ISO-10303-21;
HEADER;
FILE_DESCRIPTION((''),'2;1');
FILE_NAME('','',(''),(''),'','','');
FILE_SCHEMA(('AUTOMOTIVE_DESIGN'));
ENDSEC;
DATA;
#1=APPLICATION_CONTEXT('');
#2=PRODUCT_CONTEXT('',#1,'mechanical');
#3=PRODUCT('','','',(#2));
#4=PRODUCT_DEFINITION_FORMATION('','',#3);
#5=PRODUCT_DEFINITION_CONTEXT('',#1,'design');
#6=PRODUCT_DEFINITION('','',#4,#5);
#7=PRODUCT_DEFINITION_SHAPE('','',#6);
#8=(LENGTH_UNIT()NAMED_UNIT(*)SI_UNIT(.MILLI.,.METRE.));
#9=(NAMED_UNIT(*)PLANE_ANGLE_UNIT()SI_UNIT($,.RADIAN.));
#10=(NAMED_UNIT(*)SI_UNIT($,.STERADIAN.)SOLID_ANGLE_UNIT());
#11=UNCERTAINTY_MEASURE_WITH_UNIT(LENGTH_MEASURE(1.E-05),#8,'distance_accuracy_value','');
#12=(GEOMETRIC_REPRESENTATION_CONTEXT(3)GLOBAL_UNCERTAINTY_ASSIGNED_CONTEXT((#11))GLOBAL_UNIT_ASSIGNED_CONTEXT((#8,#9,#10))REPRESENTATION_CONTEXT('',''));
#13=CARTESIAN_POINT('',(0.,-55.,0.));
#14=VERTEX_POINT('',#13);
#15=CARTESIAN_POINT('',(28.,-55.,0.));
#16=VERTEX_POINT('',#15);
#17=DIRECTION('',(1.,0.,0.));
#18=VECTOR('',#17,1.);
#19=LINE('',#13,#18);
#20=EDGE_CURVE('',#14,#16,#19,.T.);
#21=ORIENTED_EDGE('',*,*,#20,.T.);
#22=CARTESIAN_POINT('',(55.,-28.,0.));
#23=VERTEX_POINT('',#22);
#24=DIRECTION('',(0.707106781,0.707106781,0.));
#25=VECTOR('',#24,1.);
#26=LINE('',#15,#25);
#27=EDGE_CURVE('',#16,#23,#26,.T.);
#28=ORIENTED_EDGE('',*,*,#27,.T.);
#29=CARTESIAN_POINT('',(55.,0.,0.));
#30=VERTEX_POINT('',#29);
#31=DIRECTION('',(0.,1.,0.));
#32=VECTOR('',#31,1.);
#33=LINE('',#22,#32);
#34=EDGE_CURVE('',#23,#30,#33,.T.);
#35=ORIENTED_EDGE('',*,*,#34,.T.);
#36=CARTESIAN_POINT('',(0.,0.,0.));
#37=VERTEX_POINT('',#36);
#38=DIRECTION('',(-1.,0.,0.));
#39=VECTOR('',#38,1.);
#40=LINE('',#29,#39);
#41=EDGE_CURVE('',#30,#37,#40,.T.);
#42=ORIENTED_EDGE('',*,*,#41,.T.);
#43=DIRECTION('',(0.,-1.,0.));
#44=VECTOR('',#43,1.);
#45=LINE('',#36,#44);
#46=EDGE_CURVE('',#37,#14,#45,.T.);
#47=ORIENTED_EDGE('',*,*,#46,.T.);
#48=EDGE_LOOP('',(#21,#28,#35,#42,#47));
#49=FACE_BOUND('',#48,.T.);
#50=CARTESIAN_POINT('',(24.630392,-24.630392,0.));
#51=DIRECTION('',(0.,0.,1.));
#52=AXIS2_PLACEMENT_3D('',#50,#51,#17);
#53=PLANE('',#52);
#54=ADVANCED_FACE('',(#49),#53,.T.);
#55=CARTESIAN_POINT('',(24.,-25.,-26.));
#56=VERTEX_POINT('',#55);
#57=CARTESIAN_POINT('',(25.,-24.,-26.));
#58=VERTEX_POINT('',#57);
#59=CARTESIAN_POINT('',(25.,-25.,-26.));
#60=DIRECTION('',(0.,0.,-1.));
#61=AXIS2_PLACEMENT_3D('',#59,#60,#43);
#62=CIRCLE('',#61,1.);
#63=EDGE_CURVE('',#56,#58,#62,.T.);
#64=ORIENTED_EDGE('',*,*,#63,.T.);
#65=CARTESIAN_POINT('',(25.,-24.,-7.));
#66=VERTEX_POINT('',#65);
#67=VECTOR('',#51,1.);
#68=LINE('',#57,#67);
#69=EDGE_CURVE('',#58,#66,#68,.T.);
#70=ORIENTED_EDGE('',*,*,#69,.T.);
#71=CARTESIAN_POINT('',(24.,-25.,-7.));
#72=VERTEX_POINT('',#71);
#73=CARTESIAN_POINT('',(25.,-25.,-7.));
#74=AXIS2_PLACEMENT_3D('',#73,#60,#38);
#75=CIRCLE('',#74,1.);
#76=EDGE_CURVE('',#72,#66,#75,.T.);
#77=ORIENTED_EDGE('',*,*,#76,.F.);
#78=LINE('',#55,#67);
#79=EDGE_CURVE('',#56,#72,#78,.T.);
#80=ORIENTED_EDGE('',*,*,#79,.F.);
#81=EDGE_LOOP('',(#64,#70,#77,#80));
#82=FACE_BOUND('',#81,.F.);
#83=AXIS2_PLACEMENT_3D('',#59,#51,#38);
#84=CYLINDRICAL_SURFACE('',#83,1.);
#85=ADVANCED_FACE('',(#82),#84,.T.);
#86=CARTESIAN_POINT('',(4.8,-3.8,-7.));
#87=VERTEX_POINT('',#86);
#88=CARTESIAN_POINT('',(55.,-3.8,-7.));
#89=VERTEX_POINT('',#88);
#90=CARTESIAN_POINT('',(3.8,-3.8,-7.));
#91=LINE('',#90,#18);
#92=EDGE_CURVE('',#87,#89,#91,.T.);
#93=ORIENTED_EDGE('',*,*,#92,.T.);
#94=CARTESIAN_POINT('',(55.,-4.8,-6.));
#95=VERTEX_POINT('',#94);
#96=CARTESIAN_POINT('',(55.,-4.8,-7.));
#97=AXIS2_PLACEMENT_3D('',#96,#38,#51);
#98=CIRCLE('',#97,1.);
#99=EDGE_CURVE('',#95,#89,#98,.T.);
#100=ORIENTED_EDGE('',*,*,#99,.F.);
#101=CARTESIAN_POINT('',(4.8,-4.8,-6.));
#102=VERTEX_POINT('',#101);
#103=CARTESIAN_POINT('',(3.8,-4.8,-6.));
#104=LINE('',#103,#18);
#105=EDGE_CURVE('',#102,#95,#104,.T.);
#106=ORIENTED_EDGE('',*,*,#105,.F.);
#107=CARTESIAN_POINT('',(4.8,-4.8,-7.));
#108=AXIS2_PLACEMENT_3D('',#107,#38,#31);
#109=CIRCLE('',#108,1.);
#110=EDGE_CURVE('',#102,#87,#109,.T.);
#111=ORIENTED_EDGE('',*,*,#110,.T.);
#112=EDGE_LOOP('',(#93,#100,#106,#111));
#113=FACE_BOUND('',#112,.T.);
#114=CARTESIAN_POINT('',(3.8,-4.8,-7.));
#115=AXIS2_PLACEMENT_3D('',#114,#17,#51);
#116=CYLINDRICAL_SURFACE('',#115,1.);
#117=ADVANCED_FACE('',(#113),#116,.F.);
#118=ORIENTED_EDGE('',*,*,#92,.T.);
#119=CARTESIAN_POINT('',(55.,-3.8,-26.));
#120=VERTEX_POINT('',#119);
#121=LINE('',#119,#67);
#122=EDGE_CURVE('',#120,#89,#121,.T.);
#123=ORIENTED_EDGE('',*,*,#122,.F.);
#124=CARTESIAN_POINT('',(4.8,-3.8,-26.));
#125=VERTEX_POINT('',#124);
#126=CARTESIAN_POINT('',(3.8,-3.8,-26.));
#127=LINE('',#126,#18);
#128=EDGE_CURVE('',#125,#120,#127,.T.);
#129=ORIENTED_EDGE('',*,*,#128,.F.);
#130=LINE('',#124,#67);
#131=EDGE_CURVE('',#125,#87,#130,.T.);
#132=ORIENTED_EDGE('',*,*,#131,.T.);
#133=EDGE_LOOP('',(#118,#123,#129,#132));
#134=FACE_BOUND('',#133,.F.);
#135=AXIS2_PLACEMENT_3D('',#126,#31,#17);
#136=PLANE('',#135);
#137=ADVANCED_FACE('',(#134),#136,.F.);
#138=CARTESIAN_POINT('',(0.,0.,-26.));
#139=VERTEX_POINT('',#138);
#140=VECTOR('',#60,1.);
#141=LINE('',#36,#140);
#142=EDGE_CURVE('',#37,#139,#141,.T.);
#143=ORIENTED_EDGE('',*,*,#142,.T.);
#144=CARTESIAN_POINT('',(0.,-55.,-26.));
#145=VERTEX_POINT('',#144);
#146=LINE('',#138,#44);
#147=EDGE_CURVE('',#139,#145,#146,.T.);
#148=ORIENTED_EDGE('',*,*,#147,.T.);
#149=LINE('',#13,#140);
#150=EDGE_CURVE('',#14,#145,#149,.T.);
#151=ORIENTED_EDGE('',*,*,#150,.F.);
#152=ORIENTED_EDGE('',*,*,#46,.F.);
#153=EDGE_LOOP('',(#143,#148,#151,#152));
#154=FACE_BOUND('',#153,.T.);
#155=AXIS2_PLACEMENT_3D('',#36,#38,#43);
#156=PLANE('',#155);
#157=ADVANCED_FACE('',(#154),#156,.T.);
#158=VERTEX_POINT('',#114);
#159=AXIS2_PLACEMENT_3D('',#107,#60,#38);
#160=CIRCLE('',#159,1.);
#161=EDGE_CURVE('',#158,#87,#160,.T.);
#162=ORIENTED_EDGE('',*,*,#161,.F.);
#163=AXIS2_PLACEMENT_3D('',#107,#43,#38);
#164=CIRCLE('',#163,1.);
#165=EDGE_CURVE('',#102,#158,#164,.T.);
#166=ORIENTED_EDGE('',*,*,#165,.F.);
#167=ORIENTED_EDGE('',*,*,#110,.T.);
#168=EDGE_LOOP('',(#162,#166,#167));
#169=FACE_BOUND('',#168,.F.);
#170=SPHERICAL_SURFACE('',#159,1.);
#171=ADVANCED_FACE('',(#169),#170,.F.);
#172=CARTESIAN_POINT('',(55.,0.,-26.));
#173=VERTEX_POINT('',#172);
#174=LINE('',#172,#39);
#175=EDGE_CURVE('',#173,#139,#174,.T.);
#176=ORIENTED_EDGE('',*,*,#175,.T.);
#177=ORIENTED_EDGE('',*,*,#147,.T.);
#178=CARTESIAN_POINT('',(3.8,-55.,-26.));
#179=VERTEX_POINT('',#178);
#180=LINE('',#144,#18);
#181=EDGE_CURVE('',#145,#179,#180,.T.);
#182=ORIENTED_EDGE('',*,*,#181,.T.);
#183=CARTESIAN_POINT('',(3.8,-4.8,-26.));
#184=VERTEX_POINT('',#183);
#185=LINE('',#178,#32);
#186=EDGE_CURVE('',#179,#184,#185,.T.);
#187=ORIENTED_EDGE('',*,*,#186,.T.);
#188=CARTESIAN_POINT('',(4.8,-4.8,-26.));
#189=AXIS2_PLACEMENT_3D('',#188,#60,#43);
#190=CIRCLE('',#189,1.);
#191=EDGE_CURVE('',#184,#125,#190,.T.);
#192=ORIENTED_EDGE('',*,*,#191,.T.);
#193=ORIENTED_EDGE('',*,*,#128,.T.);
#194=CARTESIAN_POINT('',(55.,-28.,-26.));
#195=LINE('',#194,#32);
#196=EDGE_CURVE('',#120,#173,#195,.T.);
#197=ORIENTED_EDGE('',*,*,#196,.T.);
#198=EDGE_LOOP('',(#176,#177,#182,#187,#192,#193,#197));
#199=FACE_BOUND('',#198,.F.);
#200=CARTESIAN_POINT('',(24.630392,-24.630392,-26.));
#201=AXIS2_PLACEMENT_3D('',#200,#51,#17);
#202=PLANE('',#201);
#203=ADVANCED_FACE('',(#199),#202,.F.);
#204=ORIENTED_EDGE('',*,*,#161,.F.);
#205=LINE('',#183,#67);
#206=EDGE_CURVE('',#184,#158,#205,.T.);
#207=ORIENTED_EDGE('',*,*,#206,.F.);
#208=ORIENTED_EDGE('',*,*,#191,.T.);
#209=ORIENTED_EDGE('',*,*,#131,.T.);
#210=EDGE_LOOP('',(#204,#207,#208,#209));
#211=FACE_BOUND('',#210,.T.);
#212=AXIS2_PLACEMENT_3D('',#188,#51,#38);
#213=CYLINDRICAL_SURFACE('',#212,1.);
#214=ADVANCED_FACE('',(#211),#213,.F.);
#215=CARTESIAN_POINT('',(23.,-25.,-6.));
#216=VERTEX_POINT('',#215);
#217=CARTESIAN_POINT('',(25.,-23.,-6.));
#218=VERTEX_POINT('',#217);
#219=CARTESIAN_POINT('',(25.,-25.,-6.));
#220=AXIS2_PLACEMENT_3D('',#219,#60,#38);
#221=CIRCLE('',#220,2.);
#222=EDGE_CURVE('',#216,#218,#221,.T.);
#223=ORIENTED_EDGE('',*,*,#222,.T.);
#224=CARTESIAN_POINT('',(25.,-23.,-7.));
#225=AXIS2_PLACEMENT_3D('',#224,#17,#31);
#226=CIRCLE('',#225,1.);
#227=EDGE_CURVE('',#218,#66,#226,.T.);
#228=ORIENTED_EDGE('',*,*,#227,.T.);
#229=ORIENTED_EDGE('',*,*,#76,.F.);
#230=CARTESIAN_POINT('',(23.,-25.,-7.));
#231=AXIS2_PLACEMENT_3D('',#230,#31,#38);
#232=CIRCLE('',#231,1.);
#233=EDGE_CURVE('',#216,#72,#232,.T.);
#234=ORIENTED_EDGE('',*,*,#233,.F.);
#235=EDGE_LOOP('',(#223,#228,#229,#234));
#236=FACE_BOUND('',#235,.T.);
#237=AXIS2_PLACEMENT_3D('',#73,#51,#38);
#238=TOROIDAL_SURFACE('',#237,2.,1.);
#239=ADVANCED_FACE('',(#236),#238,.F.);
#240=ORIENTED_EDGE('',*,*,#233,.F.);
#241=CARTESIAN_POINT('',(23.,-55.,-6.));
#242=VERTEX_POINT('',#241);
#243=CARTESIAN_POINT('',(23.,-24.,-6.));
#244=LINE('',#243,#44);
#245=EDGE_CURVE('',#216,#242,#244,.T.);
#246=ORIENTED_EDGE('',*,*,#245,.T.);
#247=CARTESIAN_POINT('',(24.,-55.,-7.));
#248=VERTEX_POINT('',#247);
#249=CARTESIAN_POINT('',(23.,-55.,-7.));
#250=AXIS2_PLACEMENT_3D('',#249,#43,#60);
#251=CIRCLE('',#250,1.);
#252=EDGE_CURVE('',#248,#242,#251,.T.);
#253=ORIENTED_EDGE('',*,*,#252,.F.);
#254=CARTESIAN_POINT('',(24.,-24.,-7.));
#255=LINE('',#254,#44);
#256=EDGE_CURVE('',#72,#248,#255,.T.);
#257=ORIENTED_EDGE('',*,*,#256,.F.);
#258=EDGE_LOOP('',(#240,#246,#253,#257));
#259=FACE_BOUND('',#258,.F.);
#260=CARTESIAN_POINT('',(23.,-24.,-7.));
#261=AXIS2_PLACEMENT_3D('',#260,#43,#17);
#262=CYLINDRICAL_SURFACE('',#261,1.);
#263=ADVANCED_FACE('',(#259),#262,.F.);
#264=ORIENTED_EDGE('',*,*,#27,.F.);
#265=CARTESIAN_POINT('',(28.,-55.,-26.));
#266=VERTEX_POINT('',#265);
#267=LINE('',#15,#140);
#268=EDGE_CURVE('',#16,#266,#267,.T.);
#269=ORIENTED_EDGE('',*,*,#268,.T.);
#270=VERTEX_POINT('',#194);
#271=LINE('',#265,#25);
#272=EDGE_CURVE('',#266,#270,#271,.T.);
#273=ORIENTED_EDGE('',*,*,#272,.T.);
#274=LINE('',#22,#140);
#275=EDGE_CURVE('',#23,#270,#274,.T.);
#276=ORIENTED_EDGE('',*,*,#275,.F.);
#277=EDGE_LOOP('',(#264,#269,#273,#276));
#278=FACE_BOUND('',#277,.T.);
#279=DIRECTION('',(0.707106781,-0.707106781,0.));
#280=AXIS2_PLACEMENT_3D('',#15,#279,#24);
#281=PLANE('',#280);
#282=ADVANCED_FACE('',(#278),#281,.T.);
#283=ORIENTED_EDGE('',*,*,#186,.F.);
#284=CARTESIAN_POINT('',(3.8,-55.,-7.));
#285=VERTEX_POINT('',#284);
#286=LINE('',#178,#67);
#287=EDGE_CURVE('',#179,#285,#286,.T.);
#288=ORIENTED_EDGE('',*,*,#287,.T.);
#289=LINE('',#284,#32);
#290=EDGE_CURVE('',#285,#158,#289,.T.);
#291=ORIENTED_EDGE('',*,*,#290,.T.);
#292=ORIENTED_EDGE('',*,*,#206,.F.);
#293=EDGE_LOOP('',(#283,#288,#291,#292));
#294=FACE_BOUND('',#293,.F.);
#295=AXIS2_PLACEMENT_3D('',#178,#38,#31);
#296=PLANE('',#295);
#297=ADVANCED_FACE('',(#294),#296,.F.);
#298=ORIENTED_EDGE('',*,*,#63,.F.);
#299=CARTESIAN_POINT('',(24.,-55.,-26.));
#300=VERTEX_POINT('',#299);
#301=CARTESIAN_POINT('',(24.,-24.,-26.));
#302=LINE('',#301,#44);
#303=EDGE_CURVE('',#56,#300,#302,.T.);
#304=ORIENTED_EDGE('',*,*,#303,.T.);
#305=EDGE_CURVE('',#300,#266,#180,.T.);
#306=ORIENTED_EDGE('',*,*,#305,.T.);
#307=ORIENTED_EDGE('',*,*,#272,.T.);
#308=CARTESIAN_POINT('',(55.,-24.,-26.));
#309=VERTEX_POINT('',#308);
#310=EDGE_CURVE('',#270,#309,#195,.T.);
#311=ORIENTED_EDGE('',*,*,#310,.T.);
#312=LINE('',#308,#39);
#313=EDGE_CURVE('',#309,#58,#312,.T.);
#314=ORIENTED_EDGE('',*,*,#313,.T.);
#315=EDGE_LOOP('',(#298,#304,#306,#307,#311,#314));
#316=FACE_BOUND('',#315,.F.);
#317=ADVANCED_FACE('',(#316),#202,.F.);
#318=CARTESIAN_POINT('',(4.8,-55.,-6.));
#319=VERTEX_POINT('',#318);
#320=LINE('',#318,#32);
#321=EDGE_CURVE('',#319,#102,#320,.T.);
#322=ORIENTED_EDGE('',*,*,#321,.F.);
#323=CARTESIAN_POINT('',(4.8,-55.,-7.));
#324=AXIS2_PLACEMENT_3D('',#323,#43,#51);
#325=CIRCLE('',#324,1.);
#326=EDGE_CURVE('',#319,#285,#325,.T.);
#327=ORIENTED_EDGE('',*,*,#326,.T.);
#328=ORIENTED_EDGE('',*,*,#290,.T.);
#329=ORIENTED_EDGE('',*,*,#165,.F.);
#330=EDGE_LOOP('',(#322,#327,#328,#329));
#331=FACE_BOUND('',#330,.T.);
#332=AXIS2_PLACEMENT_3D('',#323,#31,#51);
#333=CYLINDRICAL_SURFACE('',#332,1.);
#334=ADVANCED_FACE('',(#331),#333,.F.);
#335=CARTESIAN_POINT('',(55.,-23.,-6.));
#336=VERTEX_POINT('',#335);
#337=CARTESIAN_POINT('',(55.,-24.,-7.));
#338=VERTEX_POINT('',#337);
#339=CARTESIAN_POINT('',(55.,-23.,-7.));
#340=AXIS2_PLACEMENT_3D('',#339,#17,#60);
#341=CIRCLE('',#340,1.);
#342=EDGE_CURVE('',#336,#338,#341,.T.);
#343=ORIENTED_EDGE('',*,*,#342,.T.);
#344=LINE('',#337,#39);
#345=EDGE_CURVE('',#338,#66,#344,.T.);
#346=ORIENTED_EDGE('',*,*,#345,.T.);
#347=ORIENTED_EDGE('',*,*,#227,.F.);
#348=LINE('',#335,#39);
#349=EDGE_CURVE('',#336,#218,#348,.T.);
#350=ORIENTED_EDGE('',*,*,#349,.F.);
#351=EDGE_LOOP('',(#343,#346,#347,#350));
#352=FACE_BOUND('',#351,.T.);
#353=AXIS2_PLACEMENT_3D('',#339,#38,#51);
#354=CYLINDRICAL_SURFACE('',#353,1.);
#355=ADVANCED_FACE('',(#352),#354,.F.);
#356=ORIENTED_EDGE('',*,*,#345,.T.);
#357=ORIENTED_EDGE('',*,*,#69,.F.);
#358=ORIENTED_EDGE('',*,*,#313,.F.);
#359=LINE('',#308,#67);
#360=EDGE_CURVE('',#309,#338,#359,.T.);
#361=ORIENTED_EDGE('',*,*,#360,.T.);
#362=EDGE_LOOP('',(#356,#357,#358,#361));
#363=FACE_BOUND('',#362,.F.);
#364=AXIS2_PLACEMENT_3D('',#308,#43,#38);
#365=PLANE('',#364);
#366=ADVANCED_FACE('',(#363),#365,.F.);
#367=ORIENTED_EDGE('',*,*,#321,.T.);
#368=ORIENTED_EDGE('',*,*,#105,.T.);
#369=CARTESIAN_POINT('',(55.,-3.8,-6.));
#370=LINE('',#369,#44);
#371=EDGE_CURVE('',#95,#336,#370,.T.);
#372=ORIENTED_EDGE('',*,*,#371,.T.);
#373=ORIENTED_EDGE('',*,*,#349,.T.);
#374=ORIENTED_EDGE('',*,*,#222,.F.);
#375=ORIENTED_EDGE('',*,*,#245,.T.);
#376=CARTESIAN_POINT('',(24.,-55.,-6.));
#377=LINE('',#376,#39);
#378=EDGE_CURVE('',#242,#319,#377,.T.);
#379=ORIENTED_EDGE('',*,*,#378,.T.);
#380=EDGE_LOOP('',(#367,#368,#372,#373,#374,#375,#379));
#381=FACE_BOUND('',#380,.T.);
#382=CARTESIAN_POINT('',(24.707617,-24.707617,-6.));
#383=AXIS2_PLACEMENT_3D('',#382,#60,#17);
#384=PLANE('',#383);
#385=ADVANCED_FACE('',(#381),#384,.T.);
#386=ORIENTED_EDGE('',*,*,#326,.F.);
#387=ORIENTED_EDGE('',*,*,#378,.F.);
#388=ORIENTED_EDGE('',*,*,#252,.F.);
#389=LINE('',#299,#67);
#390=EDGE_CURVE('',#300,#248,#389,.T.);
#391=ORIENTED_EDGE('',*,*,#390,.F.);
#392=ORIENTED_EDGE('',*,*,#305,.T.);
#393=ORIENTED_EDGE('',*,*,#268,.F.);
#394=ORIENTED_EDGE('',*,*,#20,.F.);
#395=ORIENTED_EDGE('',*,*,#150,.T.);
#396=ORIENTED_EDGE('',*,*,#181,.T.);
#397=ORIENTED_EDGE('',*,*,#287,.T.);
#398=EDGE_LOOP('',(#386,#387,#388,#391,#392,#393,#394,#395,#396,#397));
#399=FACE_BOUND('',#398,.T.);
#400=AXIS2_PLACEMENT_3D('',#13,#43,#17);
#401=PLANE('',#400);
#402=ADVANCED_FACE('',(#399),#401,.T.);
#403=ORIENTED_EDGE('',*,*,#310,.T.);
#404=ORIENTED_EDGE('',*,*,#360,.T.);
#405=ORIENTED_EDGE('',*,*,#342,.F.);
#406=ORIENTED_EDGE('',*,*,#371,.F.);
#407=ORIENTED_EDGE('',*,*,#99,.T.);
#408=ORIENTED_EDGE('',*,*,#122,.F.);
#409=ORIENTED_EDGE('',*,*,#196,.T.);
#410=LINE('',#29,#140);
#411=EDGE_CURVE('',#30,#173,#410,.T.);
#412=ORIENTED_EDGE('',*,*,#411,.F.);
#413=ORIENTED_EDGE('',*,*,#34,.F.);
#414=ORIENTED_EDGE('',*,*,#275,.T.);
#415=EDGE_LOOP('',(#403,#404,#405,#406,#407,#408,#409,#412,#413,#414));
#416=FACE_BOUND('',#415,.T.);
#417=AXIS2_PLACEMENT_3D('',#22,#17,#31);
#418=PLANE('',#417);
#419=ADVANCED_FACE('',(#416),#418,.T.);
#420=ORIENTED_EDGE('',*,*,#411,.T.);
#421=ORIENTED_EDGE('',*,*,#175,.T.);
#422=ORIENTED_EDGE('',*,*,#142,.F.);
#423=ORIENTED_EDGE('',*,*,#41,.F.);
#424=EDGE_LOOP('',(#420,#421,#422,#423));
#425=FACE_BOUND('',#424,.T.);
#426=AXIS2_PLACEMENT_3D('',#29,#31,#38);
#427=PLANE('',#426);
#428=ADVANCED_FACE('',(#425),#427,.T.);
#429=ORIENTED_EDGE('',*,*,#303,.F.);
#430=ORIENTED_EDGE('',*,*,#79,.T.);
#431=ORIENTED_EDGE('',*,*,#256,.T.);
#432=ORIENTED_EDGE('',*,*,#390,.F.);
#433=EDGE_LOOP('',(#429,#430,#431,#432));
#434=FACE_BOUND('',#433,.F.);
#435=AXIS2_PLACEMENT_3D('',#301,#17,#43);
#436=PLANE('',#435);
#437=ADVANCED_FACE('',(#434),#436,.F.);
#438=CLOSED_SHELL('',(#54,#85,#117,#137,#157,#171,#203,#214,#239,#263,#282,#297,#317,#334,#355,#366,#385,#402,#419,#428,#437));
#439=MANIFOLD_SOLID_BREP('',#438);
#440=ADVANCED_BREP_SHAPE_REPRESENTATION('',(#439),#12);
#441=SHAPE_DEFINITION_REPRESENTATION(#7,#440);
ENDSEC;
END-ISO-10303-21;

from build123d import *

# Parameters (mm, degrees)
F1_DEPTH = 26
F3_DEPTH = 20
F4_R     = 1


with BuildPart() as f1:
    # F0 (on Top) → F1 (new body)
    with BuildSketch(Plane.XY):
        Polygon((0, 0), (0, -55), (28, -55), (55, -28), (55, 0), align=None)
    extrude(amount=-F1_DEPTH)

    # F2 (on face) → F3 (cut)
    with BuildSketch(Plane(origin=(0, 0, -26), x_dir=(1, 0, 0), z_dir=(0, 0, -1))):
        Polygon((24, 55), (3.8, 55), (3.8, 3.8), (55, 3.8), (55, 24), (24, 24), align=None)
    extrude(amount=-F3_DEPTH, mode=Mode.SUBTRACT)

    # F4
    f4_edges = [f1.edges().sort_by_distance(p)[0] for p in [
        (3.8, -3.8, -16),
        (3.8, -29.4, -6),
        (29.4, -3.8, -6),
        (24, -39.5, -6),
        (39.5, -24, -6),
        (24, -24, -16),
    ]]
    fillet(f4_edges, radius=F4_R)


solid = f1.part
